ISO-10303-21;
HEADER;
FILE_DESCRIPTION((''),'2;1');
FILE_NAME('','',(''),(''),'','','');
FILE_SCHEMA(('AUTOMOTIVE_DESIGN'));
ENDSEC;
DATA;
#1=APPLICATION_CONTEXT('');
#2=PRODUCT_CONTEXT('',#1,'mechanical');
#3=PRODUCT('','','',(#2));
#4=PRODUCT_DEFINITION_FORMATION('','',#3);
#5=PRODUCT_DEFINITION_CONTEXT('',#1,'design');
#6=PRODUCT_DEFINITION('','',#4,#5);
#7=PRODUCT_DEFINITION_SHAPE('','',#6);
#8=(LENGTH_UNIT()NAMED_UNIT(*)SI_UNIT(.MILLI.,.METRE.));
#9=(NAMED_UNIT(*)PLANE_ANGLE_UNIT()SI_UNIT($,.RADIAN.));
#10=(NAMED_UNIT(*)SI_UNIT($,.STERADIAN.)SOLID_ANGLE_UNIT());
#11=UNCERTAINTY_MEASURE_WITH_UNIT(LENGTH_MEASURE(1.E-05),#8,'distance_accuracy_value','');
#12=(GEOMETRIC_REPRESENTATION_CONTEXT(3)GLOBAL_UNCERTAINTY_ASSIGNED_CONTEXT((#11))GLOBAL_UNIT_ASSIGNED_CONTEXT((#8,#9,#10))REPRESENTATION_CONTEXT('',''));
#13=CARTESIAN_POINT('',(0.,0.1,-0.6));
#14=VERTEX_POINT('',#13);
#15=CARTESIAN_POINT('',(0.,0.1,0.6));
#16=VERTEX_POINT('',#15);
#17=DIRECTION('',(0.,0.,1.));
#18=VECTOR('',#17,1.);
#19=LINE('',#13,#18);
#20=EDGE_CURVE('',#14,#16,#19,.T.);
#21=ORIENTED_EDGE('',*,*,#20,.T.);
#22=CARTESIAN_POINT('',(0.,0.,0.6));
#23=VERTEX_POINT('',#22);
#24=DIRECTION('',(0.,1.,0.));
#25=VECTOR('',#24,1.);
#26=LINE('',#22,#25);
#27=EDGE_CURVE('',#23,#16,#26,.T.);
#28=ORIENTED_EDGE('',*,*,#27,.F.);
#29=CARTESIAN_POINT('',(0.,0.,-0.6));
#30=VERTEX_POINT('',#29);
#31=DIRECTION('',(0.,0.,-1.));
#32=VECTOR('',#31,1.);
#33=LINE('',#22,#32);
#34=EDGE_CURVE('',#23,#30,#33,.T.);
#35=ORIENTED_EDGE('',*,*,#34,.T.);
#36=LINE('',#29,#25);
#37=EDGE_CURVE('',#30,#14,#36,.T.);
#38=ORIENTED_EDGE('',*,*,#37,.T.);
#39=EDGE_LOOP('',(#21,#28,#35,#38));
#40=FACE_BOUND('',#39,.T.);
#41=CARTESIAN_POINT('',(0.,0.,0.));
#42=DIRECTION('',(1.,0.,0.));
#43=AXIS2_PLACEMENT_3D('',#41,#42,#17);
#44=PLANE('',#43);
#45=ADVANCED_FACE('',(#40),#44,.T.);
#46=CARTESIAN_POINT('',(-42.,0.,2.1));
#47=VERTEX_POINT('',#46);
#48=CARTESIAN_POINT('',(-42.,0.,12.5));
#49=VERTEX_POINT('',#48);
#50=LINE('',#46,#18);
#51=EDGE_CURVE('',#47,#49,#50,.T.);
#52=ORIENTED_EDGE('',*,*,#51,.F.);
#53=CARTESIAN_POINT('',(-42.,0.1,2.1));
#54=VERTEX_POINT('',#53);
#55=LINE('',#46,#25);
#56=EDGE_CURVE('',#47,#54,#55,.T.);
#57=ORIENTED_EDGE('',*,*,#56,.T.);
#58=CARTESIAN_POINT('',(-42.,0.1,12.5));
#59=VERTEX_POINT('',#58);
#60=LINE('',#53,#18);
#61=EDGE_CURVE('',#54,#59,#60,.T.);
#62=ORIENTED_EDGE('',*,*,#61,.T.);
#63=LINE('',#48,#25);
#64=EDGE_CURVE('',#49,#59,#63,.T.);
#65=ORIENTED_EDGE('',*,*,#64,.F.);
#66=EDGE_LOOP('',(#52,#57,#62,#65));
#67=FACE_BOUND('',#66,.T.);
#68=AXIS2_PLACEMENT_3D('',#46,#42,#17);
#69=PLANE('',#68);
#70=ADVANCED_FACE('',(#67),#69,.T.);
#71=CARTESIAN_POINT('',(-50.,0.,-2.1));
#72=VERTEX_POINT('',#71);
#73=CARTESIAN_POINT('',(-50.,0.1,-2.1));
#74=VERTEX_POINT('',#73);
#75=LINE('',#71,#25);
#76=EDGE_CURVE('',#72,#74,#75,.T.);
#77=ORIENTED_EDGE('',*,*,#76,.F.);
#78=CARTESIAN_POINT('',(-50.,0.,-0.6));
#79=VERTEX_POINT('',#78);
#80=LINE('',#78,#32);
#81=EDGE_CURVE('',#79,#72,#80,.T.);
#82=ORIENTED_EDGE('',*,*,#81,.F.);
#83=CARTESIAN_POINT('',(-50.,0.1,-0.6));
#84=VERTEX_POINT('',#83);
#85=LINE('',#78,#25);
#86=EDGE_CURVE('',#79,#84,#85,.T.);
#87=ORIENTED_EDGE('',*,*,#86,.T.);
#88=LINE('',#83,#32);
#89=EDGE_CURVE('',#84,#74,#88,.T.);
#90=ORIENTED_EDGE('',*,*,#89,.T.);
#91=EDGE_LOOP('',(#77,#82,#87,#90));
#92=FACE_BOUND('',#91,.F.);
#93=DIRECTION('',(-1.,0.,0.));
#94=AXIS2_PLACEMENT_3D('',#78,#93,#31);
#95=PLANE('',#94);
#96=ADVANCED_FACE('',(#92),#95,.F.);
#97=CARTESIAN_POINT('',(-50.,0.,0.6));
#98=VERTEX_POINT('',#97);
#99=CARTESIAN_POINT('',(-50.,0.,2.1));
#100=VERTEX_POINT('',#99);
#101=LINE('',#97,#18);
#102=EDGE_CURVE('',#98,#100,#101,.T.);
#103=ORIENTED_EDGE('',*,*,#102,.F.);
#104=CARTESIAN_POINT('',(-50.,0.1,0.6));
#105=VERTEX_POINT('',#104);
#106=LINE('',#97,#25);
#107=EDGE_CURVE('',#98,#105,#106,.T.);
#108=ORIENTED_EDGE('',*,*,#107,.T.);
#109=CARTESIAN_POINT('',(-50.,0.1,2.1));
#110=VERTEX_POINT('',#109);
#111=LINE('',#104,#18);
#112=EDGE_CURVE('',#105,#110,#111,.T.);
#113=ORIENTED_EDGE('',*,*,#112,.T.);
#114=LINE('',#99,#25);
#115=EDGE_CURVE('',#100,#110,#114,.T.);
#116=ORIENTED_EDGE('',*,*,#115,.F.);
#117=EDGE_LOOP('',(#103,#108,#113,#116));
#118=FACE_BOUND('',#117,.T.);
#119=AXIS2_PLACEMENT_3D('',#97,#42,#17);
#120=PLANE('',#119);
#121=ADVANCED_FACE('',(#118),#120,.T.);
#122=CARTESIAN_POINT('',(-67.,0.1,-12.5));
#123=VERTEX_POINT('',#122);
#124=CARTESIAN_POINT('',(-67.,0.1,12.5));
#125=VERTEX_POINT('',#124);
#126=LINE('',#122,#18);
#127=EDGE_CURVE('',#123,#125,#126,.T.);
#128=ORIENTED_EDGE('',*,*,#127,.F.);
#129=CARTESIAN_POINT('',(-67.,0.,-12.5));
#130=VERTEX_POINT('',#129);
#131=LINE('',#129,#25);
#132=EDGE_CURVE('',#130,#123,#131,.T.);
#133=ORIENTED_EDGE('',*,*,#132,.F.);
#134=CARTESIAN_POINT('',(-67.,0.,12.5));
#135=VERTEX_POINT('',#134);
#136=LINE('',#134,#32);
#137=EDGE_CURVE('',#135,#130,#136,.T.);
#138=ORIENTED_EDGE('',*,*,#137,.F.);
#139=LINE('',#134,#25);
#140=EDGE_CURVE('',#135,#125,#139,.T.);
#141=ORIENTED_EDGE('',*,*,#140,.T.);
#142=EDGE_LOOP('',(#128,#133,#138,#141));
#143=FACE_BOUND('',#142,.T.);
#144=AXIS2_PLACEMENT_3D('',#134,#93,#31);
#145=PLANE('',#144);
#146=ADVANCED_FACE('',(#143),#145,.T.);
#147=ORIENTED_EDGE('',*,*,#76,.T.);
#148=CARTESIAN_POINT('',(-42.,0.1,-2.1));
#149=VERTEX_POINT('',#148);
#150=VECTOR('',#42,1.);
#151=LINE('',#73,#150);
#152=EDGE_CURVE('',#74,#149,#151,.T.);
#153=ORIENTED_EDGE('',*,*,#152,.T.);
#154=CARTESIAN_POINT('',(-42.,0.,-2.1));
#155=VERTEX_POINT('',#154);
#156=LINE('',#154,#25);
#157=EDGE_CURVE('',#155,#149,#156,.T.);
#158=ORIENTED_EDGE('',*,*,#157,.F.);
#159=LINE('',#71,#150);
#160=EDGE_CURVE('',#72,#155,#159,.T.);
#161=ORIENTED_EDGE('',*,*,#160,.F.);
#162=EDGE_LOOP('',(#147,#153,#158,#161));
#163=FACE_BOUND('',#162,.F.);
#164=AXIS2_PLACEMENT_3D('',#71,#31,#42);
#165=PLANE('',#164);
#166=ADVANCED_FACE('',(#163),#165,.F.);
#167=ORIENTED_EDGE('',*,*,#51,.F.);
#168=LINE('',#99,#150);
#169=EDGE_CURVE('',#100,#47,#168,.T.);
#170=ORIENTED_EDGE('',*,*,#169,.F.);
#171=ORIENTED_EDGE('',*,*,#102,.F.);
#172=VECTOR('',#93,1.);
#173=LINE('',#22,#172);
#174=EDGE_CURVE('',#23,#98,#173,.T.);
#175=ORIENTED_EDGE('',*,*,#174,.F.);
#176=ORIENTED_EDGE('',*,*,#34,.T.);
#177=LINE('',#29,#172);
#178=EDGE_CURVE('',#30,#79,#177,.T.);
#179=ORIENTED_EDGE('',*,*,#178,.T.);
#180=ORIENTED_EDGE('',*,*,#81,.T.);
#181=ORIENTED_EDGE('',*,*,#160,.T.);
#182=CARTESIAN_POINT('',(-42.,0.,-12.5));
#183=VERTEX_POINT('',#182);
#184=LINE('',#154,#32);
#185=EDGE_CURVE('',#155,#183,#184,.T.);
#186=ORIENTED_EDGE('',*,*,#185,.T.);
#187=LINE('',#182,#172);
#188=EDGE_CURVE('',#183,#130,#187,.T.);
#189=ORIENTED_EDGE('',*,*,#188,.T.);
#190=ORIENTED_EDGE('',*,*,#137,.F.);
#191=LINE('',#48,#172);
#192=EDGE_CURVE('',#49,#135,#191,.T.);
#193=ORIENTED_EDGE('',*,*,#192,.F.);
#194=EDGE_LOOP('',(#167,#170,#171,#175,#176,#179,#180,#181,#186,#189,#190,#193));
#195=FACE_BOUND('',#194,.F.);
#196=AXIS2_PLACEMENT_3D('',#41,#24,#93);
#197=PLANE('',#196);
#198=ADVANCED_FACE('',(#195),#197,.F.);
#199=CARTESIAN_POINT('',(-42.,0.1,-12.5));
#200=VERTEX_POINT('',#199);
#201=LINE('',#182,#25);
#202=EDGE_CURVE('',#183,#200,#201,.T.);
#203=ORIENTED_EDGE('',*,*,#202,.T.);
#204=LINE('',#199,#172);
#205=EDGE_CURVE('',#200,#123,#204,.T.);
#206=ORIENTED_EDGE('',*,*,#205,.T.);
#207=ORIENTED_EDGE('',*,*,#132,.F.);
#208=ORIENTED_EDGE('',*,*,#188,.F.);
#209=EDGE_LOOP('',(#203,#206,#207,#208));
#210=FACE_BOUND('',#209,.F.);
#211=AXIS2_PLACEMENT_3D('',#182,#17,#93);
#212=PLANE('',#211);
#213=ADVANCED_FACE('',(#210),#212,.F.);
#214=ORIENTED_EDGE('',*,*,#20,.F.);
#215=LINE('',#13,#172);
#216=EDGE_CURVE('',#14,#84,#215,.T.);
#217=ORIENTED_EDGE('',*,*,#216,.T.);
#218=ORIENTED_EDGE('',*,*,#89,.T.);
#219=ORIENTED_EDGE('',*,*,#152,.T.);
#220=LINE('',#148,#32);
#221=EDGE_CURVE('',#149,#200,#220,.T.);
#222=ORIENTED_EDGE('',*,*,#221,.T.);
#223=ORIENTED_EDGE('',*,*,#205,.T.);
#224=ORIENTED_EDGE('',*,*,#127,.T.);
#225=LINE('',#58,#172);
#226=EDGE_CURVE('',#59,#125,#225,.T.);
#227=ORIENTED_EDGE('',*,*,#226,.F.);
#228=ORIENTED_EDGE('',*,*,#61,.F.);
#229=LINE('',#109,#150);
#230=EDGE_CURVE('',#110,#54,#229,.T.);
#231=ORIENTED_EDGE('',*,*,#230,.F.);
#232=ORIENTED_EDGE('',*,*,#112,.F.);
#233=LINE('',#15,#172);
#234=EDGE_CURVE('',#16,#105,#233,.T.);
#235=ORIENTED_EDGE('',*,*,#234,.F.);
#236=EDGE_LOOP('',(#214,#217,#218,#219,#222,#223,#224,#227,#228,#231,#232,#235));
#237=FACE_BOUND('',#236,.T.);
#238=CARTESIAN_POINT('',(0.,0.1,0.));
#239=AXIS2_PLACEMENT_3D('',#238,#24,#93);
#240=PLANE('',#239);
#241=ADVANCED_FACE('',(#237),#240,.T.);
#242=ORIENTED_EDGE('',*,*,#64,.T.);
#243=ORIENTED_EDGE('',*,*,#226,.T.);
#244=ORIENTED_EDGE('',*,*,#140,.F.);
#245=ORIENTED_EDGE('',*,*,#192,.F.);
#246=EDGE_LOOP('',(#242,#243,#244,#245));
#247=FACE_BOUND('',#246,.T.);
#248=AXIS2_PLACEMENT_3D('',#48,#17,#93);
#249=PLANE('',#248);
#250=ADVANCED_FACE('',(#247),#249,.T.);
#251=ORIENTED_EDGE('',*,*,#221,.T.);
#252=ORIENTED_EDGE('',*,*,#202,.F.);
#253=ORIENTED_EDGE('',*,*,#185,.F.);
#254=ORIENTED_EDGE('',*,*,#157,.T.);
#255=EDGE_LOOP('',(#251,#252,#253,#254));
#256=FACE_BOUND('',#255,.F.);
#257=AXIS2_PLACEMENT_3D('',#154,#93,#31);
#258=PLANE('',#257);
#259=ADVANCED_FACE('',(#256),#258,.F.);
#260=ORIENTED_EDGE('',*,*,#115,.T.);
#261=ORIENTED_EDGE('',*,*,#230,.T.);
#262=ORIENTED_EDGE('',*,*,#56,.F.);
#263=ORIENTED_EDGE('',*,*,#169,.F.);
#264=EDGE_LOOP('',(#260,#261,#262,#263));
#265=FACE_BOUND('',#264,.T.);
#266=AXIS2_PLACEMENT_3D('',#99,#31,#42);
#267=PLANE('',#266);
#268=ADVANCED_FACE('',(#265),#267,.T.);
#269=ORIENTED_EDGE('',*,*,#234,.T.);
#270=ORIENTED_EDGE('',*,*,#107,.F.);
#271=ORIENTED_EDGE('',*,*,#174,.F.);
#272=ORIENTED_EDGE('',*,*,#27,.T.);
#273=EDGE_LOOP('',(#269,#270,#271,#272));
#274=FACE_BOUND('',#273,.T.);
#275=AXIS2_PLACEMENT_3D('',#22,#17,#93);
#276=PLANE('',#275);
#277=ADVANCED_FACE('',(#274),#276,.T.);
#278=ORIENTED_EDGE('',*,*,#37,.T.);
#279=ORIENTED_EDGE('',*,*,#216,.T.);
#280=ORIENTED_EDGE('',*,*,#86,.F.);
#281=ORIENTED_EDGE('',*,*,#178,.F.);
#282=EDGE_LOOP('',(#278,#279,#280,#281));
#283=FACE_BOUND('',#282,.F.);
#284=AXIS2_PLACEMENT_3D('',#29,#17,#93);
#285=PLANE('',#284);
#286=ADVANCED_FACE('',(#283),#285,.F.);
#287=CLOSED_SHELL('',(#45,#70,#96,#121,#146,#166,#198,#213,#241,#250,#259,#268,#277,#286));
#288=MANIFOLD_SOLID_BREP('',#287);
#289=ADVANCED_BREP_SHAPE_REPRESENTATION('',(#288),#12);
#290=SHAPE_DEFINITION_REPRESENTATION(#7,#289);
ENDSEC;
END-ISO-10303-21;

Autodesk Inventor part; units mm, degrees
ref_plane "YZ Plane" through (0, 0, 0) normal (1, 0, 0) x (0, 1, 0)
ref_plane "XZ Plane" through (0, 0, 0) normal (0, 1, 0) x (-1, 0, 0)
ref_plane "XY Plane" through (0, 0, 0) normal (0, 0, 1) x (1, 0, 0)
sketch "Sketch1" plane through (0, 0, 0) normal (0, 1, 0) x (-1, 0, 0)
  line L0 (0, 0) -> (0, 0.6)
  line L1 (0, 0.6) -> (50, 0.6)
  line L2 (50, 0.6) -> (50, 2.1)
  line L3 (50, 2.1) -> (42, 2.1)
  line L4 (42, 2.1) -> (42, 12.5)
  line L5 (42, 12.5) -> (67, 12.5)
  line L6 (67, 12.5) -> (67, 0)
  line L7 (67, 0) -> (0, 0)
  line L8 (0, 0) -> (0, -0.6)
  line L9 (0, -0.6) -> (50, -0.6)
  line L10 (50, -0.6) -> (50, -2.1)
  line L11 (50, -2.1) -> (42, -2.1)
  line L12 (42, -2.1) -> (42, -12.5)
  line L13 (42, -12.5) -> (67, -12.5)
  line L14 (67, -12.5) -> (67, 0)
  dimension "d1" = 0.6
  dimension "d2" = 50
  dimension "d3" = 1.5
  dimension "d4" = 12.5
  dimension "d5" = 25
  dimension "d6" = 8
extrude "Extrusion1" add sketch "Sketch1" along normal blind 0.1
